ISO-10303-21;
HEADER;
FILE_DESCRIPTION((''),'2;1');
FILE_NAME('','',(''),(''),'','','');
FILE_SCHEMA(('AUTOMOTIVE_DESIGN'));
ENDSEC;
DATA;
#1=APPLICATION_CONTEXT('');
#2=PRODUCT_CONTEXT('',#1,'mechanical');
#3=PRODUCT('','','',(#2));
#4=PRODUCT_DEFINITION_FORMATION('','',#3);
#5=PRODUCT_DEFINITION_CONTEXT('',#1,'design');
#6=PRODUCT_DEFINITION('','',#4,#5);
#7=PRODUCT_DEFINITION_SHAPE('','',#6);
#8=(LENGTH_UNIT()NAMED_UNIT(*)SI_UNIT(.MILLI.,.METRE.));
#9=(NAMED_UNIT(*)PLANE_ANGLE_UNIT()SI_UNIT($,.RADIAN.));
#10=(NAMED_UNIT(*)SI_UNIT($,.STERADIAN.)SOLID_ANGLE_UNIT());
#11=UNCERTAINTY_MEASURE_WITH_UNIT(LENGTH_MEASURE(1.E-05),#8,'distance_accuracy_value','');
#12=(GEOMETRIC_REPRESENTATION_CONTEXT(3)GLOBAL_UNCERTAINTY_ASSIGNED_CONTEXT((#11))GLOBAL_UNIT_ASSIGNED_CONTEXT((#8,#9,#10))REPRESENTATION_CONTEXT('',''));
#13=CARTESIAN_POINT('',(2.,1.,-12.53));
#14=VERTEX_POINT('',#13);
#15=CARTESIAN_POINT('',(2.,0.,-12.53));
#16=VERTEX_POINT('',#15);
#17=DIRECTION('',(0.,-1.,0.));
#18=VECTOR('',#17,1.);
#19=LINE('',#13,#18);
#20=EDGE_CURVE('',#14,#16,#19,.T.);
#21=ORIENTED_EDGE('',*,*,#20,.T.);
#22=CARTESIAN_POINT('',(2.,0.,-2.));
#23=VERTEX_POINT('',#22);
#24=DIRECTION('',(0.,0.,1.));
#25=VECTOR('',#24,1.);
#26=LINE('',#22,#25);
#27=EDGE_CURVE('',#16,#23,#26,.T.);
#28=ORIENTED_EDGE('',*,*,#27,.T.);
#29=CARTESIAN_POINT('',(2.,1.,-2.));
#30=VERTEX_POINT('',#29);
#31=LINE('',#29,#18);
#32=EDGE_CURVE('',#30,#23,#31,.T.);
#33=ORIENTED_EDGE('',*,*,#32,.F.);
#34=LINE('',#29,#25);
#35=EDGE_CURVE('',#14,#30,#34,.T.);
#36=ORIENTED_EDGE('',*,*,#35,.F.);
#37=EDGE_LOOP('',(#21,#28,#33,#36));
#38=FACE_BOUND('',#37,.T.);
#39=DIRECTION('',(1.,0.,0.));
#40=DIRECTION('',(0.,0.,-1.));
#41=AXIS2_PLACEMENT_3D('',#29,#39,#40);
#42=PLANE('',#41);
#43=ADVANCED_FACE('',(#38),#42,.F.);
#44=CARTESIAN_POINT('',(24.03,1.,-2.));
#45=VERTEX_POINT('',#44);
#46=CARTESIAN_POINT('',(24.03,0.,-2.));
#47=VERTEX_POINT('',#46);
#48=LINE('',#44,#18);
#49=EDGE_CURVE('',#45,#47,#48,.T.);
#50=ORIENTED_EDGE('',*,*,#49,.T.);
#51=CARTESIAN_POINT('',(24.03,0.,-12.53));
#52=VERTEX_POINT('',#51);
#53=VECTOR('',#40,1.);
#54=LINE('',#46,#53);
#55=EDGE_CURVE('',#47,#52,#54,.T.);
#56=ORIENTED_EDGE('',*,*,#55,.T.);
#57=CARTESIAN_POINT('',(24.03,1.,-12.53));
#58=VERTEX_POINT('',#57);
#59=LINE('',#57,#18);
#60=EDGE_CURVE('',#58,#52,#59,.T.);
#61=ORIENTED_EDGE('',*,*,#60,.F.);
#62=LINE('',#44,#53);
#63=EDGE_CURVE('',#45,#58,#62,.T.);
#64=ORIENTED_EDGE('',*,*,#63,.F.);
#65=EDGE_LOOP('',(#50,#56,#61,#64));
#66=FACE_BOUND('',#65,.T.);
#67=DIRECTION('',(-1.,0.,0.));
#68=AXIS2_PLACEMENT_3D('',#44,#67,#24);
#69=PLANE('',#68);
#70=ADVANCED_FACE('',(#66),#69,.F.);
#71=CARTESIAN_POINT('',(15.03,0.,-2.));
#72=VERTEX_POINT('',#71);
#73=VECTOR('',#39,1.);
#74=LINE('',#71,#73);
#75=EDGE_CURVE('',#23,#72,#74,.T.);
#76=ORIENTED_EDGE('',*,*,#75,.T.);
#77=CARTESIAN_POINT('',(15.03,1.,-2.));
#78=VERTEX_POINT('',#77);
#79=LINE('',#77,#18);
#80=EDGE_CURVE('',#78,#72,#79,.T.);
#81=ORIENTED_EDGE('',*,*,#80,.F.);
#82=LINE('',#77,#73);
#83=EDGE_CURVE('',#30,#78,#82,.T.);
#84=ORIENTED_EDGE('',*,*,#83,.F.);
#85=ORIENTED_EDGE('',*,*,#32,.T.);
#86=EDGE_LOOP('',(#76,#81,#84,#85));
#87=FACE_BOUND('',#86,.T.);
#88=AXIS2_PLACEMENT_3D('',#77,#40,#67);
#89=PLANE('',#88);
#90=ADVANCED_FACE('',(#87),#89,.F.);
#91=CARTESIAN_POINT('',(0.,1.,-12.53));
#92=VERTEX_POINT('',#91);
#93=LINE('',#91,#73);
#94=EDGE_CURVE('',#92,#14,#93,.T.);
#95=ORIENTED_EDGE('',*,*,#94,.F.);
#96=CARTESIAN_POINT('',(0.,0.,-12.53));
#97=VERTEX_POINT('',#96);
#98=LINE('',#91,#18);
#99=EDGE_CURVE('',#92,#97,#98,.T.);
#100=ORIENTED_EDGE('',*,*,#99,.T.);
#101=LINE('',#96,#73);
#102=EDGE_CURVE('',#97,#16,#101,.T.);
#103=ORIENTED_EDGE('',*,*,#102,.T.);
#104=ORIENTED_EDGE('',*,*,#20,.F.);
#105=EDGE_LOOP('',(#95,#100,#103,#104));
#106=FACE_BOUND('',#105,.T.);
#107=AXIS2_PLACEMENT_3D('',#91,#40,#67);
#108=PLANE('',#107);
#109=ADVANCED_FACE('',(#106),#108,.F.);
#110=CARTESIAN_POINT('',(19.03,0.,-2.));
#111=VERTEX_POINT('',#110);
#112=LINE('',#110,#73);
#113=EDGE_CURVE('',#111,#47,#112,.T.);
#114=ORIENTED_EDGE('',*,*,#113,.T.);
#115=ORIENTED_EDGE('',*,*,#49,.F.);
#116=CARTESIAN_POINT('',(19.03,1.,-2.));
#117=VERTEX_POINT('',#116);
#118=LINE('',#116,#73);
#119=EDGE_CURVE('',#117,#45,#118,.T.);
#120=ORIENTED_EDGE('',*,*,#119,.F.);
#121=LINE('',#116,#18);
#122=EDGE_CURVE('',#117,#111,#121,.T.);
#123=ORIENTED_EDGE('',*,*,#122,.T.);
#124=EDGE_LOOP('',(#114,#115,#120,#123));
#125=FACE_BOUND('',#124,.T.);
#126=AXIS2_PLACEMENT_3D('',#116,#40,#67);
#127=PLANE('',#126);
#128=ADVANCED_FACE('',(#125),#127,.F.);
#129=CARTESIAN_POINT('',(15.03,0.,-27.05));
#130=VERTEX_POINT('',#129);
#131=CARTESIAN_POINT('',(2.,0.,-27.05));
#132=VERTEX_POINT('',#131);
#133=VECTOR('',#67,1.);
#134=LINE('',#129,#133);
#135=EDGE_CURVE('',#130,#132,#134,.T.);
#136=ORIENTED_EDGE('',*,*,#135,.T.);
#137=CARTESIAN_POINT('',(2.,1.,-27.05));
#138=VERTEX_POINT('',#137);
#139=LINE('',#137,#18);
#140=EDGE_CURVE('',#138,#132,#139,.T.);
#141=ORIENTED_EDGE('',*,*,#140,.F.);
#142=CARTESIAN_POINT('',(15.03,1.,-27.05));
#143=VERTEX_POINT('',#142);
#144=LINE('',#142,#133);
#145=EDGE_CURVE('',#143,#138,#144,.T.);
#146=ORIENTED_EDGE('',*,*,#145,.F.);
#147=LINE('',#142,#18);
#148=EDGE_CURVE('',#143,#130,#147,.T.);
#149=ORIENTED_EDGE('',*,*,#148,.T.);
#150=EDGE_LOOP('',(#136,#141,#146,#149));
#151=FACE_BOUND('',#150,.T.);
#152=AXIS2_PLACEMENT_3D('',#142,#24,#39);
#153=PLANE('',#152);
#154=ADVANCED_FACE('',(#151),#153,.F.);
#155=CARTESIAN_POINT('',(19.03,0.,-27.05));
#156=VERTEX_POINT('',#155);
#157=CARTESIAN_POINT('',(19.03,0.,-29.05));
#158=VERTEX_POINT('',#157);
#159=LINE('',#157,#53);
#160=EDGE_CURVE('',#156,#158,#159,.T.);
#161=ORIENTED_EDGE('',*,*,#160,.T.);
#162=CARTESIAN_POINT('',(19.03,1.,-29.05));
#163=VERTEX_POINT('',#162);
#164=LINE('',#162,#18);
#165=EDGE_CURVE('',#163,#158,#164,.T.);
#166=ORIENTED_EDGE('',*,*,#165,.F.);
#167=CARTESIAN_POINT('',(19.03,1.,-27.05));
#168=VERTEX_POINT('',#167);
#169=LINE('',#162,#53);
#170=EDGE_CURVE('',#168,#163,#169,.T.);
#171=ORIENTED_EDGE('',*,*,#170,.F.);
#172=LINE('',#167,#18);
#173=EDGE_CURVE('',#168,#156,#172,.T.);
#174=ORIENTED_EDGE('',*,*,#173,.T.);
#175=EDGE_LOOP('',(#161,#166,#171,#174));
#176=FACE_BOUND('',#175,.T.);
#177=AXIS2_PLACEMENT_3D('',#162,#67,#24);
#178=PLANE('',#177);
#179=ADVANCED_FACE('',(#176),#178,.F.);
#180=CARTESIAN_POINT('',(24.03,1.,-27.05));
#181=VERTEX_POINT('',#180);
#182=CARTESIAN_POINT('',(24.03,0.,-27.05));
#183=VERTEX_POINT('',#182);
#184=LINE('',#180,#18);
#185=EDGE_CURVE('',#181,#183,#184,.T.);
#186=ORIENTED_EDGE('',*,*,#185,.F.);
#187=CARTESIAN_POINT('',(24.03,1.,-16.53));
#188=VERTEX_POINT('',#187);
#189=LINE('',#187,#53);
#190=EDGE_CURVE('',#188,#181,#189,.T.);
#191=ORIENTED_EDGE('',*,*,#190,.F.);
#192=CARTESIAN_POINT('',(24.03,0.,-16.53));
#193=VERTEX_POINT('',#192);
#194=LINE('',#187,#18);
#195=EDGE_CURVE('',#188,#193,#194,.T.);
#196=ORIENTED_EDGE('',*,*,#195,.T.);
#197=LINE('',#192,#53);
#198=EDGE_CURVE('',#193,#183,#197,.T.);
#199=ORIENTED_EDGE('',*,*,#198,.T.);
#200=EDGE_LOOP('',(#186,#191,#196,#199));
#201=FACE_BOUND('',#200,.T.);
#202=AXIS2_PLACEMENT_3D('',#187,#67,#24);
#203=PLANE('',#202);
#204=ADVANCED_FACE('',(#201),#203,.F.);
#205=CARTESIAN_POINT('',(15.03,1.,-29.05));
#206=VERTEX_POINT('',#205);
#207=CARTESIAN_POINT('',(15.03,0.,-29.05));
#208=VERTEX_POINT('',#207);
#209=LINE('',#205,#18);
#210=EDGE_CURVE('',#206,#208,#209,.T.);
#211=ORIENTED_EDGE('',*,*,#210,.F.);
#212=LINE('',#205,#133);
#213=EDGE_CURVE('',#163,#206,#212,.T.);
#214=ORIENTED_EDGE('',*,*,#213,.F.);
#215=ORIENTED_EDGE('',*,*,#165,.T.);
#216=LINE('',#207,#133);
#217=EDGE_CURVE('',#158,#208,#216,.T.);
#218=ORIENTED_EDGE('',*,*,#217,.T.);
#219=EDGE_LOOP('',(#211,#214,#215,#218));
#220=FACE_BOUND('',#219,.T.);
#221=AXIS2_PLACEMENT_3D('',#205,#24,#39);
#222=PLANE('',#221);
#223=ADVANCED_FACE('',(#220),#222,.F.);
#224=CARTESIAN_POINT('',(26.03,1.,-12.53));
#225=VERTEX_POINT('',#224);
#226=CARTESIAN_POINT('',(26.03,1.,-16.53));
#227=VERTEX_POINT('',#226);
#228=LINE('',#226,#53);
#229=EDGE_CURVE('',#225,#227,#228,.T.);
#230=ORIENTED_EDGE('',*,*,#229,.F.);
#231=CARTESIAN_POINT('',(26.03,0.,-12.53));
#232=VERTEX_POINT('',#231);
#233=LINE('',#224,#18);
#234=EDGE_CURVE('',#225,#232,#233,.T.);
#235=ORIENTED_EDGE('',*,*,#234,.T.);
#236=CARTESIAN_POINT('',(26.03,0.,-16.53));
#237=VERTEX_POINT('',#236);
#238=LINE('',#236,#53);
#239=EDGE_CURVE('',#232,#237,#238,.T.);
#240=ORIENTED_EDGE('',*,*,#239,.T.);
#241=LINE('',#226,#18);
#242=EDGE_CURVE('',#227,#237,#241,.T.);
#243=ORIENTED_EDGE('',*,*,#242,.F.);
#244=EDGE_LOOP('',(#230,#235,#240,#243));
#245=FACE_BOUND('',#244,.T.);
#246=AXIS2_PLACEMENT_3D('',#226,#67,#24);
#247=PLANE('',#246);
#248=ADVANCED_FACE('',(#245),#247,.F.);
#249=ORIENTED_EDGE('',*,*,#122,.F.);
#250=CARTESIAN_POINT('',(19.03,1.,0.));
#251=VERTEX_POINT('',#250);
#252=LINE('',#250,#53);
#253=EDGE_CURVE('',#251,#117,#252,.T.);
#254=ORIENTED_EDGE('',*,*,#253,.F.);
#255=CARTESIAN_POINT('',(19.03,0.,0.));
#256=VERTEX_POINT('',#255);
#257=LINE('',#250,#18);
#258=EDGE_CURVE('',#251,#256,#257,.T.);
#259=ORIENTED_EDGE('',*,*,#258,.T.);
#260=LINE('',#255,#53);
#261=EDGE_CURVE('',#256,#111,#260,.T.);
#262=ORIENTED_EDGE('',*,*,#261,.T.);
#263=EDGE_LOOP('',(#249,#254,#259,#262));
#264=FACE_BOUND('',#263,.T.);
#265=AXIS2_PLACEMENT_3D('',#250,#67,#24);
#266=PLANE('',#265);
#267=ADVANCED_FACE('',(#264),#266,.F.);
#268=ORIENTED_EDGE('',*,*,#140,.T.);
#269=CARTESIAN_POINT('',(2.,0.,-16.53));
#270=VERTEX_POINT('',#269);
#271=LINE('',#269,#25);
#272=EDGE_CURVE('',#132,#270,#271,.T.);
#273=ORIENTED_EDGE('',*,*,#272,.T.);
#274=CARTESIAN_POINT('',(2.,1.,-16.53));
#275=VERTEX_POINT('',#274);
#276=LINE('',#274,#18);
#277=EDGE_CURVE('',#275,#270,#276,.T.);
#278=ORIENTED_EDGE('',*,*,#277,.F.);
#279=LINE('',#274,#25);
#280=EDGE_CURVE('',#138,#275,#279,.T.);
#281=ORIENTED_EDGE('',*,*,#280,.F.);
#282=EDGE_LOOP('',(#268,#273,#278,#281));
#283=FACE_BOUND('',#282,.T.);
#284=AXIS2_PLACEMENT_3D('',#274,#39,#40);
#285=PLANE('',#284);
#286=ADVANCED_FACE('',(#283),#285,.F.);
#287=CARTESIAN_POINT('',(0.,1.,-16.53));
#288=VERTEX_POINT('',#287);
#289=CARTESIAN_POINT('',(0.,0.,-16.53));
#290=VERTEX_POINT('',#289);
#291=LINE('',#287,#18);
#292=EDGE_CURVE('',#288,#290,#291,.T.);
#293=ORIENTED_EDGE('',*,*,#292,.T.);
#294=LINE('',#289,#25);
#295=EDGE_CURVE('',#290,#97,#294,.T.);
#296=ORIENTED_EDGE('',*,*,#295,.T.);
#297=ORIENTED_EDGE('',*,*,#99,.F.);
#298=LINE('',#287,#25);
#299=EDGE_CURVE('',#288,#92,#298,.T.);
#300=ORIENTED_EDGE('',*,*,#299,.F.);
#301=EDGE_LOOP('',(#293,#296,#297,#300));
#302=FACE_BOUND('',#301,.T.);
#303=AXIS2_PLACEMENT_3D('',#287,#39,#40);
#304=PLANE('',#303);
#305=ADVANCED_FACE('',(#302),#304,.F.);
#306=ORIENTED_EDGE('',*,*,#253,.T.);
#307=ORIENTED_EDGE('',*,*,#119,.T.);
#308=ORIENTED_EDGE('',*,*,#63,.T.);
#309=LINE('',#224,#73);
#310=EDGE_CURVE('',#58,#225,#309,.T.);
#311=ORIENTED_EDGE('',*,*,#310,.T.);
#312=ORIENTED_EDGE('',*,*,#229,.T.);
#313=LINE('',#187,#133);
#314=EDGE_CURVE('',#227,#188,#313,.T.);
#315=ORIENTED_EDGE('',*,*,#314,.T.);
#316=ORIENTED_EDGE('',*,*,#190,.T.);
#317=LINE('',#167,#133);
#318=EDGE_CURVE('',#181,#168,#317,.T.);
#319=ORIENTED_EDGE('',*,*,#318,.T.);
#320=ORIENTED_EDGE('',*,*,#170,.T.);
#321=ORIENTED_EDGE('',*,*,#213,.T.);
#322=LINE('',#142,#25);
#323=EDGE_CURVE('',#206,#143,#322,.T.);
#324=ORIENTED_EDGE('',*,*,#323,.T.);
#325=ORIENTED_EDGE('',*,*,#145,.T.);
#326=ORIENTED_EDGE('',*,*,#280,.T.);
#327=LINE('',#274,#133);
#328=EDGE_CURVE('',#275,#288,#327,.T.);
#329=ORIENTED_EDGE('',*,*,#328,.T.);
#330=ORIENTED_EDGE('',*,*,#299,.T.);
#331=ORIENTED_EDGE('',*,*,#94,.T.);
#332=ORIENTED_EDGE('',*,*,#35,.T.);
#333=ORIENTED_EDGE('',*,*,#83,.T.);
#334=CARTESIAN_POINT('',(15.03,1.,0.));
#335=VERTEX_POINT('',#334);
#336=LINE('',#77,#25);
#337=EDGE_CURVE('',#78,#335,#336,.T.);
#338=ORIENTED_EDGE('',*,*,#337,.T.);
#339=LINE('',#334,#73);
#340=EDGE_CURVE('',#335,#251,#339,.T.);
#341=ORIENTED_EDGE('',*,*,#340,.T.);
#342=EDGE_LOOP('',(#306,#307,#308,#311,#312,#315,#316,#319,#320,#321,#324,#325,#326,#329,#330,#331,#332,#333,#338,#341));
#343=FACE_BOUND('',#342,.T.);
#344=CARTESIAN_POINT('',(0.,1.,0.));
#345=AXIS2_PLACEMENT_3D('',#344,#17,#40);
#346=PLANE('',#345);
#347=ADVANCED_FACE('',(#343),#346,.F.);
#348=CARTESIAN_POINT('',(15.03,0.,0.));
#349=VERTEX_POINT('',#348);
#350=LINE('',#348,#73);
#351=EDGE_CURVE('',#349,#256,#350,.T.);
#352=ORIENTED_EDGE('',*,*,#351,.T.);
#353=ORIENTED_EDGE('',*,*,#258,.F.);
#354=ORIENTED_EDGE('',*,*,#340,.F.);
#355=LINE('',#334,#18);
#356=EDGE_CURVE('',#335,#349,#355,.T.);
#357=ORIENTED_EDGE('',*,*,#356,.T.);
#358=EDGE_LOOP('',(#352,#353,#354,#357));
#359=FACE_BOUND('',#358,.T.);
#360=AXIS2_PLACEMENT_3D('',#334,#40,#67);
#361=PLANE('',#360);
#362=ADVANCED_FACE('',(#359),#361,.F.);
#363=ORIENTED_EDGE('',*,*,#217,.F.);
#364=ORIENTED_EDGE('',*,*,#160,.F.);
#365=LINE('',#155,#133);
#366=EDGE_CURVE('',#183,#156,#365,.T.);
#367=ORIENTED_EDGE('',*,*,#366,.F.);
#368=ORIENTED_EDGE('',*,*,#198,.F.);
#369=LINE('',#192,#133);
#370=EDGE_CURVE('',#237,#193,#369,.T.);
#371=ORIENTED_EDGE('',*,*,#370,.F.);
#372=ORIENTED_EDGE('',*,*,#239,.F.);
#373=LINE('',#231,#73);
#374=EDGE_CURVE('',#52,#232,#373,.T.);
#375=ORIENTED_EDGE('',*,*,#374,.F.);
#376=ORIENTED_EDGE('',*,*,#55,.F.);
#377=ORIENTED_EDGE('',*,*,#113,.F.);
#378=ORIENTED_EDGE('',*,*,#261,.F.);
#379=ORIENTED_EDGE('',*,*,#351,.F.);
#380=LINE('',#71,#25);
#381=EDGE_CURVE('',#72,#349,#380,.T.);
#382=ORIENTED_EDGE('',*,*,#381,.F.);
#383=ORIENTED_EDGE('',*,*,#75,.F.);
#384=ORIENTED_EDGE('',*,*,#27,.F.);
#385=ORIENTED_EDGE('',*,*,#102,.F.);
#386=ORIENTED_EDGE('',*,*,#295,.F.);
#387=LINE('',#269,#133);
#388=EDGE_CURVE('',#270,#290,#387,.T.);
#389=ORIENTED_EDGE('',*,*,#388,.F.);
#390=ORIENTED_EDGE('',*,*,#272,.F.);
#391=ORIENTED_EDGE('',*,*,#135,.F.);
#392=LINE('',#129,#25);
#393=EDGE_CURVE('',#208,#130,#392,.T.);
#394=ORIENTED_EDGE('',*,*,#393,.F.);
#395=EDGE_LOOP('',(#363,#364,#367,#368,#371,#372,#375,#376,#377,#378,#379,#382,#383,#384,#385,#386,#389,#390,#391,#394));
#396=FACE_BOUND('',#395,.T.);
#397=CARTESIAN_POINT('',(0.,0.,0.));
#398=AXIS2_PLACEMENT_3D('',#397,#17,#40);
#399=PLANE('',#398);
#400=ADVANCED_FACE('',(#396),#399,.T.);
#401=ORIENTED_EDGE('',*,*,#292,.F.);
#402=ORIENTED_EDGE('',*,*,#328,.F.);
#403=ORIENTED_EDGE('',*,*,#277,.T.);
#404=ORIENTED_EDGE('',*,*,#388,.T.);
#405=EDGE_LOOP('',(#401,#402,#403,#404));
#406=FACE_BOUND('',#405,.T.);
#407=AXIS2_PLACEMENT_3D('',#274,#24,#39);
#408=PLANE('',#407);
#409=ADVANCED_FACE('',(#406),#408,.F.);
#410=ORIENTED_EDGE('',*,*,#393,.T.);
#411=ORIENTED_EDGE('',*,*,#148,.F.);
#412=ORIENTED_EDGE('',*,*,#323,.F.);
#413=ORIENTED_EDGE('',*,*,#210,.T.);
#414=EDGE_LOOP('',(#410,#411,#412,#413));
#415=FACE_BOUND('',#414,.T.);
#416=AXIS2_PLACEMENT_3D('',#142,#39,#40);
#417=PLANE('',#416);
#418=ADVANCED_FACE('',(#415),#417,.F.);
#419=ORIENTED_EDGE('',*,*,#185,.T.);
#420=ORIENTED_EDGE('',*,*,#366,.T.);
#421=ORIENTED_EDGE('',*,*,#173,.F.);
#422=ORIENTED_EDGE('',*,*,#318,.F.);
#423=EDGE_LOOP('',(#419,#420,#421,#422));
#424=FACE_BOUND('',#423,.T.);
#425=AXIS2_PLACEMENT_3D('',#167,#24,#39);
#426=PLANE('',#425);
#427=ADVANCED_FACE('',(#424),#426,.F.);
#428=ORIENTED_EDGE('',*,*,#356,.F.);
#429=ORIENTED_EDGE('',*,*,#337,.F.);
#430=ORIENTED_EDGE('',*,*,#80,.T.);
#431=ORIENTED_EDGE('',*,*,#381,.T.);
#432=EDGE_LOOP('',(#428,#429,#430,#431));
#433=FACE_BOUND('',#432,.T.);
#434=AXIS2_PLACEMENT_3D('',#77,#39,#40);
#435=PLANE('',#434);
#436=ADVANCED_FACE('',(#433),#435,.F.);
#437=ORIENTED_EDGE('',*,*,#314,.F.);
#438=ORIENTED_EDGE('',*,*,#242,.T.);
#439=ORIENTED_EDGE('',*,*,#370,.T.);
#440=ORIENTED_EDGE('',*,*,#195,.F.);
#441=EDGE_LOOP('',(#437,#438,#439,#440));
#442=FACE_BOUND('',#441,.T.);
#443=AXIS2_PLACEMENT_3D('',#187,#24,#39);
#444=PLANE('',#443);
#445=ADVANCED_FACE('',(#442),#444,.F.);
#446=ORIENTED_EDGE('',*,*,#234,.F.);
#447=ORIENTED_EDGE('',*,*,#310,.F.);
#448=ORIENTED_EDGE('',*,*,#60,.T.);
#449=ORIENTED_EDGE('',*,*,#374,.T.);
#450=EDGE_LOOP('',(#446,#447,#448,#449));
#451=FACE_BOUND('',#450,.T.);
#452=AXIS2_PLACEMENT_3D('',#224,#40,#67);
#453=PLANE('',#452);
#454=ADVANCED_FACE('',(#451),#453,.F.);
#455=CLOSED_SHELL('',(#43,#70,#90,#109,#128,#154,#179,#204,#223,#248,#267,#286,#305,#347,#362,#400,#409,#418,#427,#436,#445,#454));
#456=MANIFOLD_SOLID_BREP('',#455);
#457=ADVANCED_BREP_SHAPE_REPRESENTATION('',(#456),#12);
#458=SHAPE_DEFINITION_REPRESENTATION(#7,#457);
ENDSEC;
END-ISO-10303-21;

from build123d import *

# Parameters (mm, degrees)
BOSS_EXTRUDE1_DEPTH = 1


with BuildPart() as part:
    # Sketch1 → Boss-Extrude1 (new body)
    with BuildSketch(Plane(origin=(0, 0, 0), x_dir=(1, 0, 0), z_dir=(0, 1, 0))):
        Polygon((26.03, 12.53), (24.03, 12.53), (24.03, 2), (19.03, 2), (19.03, 0), (15.03, 0), (15.03, 2), (2, 2), (2, 12.53), (0, 12.53), (0, 16.53), (2, 16.53), (2, 27.05), (15.03, 27.05), (15.03, 29.05), (19.03, 29.05), (19.03, 27.05), (24.03, 27.05), (24.03, 16.53), (26.03, 16.53), align=None)
    extrude(amount=BOSS_EXTRUDE1_DEPTH)


solid = part.part
